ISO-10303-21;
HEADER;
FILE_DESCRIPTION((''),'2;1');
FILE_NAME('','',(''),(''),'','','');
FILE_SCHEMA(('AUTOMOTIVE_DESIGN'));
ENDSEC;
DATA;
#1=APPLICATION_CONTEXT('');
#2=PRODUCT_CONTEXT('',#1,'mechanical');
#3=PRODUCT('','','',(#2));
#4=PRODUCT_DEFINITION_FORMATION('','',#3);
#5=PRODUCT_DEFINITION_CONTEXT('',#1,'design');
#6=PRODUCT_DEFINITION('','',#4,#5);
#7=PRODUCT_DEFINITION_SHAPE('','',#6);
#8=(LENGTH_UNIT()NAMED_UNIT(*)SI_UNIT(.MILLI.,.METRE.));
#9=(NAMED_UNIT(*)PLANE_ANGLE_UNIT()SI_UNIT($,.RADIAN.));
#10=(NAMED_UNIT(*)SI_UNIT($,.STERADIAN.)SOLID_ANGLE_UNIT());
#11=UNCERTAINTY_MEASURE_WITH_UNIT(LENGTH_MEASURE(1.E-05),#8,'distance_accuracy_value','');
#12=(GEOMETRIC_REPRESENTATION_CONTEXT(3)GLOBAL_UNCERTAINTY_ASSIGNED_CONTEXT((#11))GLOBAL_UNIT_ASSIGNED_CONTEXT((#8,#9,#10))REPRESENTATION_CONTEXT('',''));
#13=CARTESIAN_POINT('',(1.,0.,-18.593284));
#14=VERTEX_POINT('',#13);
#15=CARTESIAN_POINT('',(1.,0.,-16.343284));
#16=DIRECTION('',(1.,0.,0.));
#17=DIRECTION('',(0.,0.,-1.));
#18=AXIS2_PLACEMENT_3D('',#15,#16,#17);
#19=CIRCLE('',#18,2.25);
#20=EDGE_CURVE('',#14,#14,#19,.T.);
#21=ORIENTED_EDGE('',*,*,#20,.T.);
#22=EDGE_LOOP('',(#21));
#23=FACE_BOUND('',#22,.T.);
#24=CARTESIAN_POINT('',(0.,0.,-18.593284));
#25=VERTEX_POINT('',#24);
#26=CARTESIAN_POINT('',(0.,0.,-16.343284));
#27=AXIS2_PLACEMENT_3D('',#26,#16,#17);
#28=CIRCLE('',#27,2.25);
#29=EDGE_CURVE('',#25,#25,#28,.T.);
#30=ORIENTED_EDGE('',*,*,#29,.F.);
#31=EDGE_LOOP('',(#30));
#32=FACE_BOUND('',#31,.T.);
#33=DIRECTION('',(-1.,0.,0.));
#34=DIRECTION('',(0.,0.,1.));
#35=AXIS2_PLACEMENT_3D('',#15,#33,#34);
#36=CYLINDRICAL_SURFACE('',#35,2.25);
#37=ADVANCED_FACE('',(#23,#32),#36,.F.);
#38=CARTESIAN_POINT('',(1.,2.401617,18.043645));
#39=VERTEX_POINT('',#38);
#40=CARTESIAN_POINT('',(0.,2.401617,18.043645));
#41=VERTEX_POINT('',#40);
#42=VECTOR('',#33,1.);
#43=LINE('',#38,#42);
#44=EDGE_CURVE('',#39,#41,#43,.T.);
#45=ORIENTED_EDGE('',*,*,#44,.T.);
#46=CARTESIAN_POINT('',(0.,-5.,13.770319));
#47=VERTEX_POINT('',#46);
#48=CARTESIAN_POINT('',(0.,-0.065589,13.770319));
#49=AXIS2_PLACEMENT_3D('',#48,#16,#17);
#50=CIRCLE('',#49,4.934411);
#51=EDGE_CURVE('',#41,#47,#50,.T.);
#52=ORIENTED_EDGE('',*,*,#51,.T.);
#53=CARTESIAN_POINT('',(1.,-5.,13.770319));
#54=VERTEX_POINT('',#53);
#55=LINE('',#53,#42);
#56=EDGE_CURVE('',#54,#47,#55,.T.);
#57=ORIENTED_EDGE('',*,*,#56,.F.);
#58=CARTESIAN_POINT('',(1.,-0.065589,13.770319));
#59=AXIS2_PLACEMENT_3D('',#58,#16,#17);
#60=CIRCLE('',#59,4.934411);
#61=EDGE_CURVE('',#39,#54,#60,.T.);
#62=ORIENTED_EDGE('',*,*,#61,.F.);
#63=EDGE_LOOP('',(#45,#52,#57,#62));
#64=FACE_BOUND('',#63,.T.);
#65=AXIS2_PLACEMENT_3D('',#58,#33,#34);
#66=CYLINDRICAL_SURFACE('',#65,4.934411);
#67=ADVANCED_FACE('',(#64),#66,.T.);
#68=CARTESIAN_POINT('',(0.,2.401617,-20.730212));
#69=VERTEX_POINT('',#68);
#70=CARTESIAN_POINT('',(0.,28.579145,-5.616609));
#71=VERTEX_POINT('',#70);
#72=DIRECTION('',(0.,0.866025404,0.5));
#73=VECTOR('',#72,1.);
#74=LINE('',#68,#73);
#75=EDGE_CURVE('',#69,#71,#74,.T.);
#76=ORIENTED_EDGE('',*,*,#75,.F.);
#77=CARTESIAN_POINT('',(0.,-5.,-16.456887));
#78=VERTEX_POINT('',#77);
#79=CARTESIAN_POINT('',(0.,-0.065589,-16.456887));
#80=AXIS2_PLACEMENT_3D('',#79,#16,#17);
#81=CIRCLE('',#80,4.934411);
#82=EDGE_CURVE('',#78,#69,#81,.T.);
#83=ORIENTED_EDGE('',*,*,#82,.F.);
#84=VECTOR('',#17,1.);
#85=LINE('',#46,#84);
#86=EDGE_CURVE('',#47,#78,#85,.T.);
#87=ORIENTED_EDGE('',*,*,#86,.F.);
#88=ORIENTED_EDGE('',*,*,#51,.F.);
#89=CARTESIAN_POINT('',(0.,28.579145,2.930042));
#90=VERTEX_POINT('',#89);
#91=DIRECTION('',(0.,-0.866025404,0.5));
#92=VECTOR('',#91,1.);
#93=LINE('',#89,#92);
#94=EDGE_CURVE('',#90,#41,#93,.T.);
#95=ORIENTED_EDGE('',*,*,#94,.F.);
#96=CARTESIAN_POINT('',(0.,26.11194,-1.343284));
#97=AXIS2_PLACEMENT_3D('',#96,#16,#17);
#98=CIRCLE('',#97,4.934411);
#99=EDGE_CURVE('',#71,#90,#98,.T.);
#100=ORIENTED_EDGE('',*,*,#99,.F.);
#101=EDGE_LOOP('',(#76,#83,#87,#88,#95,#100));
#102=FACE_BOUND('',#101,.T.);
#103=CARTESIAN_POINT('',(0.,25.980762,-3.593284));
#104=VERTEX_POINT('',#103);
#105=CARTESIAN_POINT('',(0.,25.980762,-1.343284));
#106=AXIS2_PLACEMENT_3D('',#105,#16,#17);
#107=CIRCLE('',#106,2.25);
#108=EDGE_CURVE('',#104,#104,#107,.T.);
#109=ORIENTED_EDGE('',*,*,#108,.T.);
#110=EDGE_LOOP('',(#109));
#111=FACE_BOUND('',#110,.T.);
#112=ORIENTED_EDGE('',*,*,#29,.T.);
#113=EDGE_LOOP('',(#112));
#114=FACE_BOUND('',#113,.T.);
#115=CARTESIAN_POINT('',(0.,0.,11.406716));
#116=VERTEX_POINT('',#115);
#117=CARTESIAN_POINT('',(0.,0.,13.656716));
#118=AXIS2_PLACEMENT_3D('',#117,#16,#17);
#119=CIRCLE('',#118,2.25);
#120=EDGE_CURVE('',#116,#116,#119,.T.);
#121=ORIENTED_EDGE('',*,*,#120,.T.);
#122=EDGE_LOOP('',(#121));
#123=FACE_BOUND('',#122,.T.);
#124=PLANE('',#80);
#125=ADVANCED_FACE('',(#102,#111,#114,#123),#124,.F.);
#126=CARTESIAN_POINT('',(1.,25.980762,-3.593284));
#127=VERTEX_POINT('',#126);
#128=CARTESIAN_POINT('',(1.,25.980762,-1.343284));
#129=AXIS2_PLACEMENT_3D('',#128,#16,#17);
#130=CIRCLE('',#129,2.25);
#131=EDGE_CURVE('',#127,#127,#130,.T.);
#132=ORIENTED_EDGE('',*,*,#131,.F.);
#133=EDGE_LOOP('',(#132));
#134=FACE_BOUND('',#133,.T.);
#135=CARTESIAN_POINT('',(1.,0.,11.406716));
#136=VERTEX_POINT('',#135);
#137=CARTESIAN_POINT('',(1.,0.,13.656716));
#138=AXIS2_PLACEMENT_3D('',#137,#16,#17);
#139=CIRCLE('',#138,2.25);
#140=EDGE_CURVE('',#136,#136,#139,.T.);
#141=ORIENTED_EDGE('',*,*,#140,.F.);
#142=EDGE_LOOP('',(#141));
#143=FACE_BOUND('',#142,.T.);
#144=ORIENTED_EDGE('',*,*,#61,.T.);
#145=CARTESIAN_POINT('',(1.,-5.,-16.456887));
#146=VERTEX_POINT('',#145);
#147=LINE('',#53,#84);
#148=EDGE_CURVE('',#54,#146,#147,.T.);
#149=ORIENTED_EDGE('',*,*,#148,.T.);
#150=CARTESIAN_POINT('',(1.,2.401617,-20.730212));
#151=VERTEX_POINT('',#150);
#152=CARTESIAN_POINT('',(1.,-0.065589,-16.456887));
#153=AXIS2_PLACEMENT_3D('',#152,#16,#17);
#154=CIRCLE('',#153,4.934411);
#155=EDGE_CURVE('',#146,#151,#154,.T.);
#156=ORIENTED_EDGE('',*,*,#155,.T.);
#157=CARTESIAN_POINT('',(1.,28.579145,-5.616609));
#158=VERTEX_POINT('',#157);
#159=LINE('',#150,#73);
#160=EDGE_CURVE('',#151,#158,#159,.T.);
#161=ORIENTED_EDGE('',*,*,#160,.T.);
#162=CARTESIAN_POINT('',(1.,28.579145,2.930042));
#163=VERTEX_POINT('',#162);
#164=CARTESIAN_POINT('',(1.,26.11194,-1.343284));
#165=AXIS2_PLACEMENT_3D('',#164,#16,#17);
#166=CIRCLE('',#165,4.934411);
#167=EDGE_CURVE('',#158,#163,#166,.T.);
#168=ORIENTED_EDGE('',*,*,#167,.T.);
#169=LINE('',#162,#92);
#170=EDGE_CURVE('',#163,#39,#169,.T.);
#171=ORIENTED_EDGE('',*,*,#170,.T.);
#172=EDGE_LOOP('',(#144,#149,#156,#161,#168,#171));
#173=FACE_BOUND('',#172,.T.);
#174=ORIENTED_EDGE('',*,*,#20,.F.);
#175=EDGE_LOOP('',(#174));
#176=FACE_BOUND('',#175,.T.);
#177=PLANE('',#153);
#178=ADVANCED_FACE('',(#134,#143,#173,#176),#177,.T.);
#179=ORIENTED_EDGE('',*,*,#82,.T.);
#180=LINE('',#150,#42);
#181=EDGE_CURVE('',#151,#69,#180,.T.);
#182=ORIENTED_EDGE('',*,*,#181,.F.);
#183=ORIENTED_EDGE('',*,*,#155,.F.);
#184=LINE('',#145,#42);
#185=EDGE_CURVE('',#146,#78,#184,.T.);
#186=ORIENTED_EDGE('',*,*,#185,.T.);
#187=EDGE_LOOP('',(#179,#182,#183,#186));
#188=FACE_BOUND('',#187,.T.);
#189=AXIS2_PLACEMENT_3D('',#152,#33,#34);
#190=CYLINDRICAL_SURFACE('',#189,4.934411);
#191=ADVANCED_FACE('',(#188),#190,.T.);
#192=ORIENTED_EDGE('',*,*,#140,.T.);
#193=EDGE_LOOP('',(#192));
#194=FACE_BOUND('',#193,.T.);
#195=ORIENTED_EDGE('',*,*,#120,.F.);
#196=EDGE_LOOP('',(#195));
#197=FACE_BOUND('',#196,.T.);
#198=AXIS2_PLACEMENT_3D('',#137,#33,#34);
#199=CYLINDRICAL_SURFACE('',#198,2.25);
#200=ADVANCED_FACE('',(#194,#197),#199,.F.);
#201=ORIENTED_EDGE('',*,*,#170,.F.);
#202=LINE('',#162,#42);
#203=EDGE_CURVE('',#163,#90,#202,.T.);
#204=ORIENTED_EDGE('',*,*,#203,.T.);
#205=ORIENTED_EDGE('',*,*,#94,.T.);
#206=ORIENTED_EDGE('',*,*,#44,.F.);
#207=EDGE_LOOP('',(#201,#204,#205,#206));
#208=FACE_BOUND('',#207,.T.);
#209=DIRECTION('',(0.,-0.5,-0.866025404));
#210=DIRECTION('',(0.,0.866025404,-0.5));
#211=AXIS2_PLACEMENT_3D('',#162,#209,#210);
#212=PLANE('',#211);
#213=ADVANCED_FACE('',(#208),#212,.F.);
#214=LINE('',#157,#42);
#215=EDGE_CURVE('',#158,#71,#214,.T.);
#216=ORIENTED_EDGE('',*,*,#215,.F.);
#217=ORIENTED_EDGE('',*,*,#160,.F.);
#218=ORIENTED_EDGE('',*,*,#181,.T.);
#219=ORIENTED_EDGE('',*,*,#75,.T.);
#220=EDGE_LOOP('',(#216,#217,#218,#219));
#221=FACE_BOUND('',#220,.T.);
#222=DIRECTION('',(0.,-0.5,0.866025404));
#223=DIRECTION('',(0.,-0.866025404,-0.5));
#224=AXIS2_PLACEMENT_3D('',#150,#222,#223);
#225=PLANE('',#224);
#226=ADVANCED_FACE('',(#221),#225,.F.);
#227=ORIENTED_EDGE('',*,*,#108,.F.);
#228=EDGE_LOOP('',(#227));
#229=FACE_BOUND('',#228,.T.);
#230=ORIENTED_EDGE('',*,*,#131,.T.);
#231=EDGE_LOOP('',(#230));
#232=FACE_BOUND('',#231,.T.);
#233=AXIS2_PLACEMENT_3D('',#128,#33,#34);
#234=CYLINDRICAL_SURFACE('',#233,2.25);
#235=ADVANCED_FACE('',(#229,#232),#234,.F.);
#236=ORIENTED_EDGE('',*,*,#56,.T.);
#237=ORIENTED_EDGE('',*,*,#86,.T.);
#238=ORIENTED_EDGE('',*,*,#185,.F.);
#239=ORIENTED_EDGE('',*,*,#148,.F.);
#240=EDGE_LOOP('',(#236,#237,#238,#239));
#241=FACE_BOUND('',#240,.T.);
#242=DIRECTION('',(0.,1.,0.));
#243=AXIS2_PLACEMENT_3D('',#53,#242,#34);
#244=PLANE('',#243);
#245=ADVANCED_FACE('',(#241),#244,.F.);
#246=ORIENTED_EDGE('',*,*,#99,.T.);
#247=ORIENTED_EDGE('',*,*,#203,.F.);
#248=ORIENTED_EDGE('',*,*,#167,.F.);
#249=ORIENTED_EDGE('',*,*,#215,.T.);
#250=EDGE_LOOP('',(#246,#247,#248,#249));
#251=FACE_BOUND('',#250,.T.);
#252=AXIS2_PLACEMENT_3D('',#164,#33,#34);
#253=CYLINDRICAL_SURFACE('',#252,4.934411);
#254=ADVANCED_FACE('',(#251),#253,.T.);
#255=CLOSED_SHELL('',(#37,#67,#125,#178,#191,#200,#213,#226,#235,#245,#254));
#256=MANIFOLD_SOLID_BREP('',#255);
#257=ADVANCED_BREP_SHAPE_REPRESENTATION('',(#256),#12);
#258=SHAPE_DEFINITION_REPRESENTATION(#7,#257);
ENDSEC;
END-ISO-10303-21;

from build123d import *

# Parameters (mm, degrees)
SKETCH1_R           = 2.25
BOSS_EXTRUDE1_DEPTH = 1


with BuildPart() as part:
    # Sketch1 → Boss-Extrude1 (new body)
    with BuildSketch(Plane(origin=(0, 0, 0), x_dir=(0, 0, -1), z_dir=(1, 0, 0))):
        with BuildLine():
            Line((-13.770319446, -5), (16.45688661, -5))
            ThreePointArc((16.45688661, -5), (20.730212115, -2.532794369), (20.730212115, 2.401616892))
            Line((20.730212115, 2.401616892), (5.616609087, 28.579145222))
            ThreePointArc((5.616609087, 28.579145222), (1.343283582, 31.046350852), (-2.930041923, 28.579145222))
            Line((-2.930041923, 28.579145222), (-18.043644951, 2.401616892))
            ThreePointArc((-18.043644951, 2.401616892), (-18.043644951, -2.532794369), (-13.770319446, -5))
        make_face()
        with Locations((-13.656716418, 0)):
            Circle(SKETCH1_R, mode=Mode.SUBTRACT)
        with Locations((16.343283582, 0)):
            Circle(SKETCH1_R, mode=Mode.SUBTRACT)
        with Locations((1.343283582, 25.980762114)):
            Circle(SKETCH1_R, mode=Mode.SUBTRACT)
    extrude(amount=BOSS_EXTRUDE1_DEPTH)


solid = part.part
